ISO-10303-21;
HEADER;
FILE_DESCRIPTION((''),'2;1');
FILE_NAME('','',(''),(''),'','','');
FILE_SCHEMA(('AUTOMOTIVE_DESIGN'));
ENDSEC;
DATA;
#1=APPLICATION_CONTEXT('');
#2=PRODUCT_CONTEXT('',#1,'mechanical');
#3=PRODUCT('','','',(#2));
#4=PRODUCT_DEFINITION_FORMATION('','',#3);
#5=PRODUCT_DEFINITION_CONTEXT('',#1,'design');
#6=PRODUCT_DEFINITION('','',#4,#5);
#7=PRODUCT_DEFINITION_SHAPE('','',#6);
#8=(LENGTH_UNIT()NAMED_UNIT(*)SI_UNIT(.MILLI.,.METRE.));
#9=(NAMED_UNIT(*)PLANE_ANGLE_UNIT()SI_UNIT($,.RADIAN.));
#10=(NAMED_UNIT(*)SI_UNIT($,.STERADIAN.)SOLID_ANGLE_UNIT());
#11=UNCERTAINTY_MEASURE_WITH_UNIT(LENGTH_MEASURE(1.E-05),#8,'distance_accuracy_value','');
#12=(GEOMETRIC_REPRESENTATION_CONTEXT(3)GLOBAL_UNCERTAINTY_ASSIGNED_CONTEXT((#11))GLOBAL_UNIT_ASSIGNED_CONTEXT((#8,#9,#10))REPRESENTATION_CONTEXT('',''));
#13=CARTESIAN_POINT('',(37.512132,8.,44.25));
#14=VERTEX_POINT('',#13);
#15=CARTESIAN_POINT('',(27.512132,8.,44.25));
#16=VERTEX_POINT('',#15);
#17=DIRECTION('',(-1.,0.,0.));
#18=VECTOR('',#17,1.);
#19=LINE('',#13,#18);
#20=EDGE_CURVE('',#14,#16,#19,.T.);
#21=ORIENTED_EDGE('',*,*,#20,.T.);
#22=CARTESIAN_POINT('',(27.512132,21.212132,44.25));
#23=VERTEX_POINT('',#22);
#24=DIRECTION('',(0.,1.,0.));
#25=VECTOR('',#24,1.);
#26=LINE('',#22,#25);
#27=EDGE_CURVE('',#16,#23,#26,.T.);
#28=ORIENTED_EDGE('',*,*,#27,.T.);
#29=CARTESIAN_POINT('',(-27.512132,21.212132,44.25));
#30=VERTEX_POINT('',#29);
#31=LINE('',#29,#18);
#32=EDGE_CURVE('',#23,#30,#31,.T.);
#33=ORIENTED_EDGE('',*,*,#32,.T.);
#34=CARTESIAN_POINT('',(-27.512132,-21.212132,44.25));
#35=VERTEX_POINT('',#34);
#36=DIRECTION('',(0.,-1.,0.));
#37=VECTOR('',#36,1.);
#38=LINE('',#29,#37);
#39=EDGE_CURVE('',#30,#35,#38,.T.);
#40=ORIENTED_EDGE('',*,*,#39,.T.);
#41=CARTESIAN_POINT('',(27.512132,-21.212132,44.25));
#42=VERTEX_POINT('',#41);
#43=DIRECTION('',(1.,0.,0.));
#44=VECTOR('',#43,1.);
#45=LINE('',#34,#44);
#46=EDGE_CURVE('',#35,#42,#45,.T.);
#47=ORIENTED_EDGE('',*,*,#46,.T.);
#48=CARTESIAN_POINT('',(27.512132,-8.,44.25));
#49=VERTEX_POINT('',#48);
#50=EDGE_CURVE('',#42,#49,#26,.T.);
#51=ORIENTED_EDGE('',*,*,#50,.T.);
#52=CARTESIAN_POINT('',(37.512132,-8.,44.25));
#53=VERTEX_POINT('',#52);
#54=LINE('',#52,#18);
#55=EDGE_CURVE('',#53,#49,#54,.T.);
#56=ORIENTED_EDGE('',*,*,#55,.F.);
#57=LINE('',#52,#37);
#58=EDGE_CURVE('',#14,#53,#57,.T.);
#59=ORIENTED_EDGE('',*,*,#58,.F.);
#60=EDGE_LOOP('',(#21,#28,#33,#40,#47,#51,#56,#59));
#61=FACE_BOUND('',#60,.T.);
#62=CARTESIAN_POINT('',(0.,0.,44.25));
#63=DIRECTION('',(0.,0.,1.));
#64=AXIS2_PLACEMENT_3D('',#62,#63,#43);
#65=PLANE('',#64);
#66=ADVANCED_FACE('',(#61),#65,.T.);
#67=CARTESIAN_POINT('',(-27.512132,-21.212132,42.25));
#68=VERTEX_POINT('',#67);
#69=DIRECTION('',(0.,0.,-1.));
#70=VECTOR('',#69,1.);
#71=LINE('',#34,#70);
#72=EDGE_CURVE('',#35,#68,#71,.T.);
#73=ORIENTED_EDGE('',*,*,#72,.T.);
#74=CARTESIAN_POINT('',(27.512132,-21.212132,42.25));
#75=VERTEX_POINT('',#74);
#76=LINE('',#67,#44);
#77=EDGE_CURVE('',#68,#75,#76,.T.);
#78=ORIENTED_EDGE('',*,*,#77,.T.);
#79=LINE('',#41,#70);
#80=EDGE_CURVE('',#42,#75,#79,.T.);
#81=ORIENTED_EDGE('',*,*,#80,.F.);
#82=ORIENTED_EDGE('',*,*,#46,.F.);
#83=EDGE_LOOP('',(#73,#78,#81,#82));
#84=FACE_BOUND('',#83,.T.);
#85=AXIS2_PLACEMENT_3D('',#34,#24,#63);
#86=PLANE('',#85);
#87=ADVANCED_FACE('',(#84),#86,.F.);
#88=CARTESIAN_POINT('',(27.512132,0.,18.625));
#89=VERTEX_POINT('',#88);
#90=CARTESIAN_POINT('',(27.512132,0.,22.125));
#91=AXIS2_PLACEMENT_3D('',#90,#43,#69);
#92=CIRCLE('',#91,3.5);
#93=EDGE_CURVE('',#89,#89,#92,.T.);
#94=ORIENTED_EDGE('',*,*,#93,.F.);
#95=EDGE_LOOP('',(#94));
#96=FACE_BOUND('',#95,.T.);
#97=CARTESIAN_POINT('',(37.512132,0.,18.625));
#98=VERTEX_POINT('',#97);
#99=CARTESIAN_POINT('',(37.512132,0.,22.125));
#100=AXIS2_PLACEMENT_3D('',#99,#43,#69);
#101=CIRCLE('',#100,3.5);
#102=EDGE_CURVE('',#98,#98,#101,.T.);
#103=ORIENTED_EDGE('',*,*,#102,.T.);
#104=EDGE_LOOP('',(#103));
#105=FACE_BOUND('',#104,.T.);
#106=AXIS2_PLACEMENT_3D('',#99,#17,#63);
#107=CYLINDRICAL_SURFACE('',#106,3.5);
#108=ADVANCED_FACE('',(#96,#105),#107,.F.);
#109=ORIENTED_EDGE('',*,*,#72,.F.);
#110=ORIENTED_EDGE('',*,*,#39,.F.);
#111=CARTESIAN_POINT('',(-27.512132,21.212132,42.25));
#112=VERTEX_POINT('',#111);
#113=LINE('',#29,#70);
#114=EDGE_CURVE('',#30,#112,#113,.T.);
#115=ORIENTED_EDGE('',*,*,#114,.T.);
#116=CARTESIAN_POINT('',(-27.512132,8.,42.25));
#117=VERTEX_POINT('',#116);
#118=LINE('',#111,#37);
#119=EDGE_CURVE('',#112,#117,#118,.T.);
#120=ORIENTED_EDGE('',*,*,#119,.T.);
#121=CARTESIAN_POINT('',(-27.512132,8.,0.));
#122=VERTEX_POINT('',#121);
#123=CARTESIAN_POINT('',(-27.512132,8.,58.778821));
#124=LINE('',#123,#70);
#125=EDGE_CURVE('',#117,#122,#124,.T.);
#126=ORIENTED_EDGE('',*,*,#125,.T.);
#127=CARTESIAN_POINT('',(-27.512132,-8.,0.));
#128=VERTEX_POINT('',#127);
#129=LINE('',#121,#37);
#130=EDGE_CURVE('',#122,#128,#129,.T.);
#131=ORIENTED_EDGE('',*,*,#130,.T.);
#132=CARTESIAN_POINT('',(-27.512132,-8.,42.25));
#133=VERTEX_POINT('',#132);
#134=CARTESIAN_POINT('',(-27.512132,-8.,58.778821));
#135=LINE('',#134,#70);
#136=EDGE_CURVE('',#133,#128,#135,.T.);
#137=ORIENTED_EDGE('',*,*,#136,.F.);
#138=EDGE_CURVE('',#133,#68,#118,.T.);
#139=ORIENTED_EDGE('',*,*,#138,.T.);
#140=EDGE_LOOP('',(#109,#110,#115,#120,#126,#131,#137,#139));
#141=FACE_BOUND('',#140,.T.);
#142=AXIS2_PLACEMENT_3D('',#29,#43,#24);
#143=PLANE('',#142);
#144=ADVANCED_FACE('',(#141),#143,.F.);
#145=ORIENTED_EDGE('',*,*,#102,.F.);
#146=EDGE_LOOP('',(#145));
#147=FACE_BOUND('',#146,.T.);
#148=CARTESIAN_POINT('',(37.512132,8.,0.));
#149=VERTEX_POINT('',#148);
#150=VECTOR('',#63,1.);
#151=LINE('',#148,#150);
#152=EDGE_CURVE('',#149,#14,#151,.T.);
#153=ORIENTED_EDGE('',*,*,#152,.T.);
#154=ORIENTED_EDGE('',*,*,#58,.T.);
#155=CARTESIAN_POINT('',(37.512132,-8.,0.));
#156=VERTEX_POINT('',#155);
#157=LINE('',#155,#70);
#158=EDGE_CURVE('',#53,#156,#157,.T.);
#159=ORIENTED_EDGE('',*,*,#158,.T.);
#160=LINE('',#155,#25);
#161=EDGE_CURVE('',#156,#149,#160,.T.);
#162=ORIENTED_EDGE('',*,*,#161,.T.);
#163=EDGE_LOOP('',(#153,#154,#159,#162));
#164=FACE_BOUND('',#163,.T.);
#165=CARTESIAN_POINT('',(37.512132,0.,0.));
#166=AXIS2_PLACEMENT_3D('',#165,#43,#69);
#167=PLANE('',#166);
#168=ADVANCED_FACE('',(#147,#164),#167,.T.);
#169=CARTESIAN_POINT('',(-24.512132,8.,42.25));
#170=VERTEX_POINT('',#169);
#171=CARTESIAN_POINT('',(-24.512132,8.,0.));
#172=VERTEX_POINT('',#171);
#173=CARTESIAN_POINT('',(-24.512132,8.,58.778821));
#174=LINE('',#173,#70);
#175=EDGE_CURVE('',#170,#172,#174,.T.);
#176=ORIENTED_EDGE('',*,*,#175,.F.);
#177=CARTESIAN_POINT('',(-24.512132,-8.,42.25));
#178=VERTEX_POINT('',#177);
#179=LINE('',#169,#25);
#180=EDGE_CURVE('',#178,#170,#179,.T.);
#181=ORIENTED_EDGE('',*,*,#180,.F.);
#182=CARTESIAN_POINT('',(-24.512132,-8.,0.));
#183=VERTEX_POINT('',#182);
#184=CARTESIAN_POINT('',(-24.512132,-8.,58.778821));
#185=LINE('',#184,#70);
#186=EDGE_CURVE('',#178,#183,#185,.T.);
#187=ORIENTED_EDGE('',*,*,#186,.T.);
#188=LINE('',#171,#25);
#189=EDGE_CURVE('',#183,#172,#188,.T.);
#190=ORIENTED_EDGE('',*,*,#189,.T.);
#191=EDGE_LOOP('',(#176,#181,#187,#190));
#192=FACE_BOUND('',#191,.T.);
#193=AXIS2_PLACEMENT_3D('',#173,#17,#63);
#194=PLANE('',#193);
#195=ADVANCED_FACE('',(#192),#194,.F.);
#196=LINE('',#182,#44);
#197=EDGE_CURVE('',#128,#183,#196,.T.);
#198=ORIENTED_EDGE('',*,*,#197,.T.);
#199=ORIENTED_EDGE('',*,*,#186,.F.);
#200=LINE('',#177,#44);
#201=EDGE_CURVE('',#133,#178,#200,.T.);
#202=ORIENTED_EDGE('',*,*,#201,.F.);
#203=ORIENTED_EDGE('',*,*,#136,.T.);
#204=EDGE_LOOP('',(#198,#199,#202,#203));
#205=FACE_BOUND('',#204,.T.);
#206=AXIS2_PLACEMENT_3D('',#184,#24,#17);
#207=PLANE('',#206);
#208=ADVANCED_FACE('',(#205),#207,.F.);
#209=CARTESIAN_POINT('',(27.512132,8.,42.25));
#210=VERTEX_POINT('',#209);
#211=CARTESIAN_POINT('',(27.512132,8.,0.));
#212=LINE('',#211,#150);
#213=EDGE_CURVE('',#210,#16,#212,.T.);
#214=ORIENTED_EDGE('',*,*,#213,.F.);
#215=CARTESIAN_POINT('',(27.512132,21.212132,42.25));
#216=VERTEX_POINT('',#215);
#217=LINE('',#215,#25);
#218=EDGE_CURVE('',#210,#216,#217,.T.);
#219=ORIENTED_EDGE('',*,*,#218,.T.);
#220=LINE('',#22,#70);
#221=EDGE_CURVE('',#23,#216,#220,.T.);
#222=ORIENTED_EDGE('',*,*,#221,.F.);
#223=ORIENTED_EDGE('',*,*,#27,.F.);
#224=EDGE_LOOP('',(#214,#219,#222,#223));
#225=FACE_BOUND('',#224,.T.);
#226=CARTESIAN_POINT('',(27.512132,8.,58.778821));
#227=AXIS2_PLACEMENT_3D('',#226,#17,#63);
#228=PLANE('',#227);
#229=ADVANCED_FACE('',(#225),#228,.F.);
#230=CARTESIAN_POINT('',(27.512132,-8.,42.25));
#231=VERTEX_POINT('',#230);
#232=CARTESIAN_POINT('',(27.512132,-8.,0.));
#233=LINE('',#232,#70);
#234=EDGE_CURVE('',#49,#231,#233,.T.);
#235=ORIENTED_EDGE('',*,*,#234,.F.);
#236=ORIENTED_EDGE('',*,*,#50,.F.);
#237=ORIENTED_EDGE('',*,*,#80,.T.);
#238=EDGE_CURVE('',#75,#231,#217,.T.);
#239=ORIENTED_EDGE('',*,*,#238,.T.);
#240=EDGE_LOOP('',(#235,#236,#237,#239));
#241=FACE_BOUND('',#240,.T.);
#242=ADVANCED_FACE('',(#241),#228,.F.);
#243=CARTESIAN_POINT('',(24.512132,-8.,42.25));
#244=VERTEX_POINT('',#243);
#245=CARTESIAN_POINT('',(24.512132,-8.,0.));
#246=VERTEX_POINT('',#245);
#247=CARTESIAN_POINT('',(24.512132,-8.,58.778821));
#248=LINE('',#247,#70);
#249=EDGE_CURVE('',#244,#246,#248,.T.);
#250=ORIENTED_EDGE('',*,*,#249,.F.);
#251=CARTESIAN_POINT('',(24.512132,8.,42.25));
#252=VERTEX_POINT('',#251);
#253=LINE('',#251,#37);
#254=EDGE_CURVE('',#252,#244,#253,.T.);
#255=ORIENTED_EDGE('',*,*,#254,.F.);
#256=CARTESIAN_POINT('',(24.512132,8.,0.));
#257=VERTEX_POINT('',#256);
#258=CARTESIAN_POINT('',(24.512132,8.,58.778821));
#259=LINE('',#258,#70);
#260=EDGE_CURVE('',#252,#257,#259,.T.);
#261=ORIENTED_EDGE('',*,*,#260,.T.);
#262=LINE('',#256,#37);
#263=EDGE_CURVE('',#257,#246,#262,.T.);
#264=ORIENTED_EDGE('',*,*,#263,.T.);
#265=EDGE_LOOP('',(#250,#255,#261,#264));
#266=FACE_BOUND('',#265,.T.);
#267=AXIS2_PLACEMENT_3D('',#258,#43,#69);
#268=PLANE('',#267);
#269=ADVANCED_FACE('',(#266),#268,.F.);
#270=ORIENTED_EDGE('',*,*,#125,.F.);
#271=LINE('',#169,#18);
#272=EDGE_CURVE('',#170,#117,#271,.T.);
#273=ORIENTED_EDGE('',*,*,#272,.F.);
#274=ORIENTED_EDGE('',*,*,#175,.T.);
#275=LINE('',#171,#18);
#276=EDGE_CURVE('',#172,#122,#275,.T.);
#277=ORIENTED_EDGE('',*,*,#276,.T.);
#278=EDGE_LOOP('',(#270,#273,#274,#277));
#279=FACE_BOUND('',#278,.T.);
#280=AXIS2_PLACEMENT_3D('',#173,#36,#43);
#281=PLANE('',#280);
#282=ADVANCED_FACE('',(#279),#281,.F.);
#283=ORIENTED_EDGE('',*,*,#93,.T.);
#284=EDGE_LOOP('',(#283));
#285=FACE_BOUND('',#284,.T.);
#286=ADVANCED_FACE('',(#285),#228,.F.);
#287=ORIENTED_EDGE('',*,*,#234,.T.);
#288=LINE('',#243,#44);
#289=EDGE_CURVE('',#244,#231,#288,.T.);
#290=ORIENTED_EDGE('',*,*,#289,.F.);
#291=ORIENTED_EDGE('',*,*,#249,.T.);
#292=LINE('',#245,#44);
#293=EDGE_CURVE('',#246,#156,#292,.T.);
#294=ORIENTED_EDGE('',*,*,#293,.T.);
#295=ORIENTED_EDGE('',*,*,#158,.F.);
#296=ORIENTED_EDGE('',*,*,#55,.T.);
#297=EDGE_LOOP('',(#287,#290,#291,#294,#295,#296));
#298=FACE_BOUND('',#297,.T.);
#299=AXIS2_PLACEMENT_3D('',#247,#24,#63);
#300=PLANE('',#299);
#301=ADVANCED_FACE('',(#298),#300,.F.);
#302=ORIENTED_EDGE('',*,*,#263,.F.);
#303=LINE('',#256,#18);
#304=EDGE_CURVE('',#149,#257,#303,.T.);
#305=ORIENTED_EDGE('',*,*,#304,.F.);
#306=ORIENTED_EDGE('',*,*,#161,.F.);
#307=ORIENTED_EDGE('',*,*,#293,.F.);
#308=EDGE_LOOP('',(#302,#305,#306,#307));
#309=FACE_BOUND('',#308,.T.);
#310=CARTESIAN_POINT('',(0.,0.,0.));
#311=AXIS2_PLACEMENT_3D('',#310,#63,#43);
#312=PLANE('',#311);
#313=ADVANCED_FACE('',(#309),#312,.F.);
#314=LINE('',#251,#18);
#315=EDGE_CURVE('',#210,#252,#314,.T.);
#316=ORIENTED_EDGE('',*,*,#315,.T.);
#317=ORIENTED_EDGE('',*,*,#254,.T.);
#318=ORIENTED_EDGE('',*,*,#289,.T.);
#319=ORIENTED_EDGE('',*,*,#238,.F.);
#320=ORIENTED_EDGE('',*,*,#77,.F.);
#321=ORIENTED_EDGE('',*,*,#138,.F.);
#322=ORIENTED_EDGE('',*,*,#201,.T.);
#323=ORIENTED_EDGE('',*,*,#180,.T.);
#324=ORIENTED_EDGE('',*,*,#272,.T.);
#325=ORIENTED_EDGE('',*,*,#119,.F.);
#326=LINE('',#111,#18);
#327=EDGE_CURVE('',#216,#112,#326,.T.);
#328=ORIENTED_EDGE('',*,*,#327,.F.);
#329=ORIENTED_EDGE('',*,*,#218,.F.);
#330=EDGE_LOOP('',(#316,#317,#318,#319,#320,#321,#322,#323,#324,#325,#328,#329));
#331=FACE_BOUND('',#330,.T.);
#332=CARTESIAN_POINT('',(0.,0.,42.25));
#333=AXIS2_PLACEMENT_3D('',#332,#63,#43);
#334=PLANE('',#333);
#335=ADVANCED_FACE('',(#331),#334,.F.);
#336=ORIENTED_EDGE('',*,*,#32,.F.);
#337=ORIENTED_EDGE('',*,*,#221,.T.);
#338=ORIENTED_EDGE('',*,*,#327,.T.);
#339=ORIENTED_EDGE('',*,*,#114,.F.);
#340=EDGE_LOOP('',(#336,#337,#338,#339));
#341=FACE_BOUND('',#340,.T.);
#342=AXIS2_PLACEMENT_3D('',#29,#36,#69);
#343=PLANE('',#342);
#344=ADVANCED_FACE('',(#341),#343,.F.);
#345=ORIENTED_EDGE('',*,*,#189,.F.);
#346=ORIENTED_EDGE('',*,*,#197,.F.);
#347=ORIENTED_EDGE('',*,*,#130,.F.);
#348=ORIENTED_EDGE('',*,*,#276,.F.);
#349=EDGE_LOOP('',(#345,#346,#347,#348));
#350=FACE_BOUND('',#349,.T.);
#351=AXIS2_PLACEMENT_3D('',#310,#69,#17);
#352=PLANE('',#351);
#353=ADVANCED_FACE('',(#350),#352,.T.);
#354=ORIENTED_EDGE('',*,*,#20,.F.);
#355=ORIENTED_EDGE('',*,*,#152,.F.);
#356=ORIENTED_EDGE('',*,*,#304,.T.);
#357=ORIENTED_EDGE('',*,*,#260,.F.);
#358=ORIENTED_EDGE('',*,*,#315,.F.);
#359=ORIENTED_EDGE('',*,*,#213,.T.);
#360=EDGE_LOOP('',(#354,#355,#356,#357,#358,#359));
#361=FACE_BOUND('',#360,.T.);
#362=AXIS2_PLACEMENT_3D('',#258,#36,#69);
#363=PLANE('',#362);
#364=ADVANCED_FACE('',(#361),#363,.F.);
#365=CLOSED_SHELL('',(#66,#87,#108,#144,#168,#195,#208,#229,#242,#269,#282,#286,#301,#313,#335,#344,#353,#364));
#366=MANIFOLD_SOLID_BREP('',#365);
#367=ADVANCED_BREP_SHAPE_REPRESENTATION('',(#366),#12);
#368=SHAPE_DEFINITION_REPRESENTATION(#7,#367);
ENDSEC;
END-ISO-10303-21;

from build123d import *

# Parameters (mm, degrees)
SKETCH1_W             = 3
SKETCH1_H             = 16
BOSS_EXTRUDE1_DEPTH   = 42.25
BOSS_EXTRUDE1_2_DEPTH = 42.25
SKETCH2_W             = 55.024264068
SKETCH2_H             = 42.424264068
BOSS_EXTRUDE2_DEPTH   = 2
SKETCH4_W             = 44.25
SKETCH4_H             = 16
SKETCH4_R             = 3.5
BOSS_EXTRUDE4_DEPTH   = 10


with BuildPart() as part:
    # Sketch1 → Boss-Extrude1 (new body)
    with BuildSketch(Plane.XY):
        with Locations((26.012132034, 0)):
            Rectangle(SKETCH1_W, SKETCH1_H)
    extrude(amount=BOSS_EXTRUDE1_DEPTH)



with BuildPart() as body_2:
    # Sketch1 → Boss-Extrude1 2 (new body)
    with BuildSketch(Plane.XY):
        with Locations((-26.012132034, 0)):
            Rectangle(SKETCH1_W, SKETCH1_H)
    extrude(amount=BOSS_EXTRUDE1_2_DEPTH)


with BuildPart() as part_1:
    add(part.part)

    add(body_2.part)  # Boss-Extrude2 merges body 2
    # Sketch2 → Boss-Extrude2 (add)
    with BuildSketch(Plane.XY.offset(42.25)):
        Rectangle(SKETCH2_W, SKETCH2_H)
    extrude(amount=BOSS_EXTRUDE2_DEPTH)

    # Sketch4 → Boss-Extrude4 (add)
    with BuildSketch(Plane(origin=(27.512132034, 0, 0), x_dir=(0, 0, -1), z_dir=(1, 0, 0))):
        with Locations((-22.125, 0)):
            Rectangle(SKETCH4_W, SKETCH4_H)
        with Locations((-22.125, 0)):
            Circle(SKETCH4_R, mode=Mode.SUBTRACT)
    extrude(amount=BOSS_EXTRUDE4_DEPTH)


solid = part_1.part
